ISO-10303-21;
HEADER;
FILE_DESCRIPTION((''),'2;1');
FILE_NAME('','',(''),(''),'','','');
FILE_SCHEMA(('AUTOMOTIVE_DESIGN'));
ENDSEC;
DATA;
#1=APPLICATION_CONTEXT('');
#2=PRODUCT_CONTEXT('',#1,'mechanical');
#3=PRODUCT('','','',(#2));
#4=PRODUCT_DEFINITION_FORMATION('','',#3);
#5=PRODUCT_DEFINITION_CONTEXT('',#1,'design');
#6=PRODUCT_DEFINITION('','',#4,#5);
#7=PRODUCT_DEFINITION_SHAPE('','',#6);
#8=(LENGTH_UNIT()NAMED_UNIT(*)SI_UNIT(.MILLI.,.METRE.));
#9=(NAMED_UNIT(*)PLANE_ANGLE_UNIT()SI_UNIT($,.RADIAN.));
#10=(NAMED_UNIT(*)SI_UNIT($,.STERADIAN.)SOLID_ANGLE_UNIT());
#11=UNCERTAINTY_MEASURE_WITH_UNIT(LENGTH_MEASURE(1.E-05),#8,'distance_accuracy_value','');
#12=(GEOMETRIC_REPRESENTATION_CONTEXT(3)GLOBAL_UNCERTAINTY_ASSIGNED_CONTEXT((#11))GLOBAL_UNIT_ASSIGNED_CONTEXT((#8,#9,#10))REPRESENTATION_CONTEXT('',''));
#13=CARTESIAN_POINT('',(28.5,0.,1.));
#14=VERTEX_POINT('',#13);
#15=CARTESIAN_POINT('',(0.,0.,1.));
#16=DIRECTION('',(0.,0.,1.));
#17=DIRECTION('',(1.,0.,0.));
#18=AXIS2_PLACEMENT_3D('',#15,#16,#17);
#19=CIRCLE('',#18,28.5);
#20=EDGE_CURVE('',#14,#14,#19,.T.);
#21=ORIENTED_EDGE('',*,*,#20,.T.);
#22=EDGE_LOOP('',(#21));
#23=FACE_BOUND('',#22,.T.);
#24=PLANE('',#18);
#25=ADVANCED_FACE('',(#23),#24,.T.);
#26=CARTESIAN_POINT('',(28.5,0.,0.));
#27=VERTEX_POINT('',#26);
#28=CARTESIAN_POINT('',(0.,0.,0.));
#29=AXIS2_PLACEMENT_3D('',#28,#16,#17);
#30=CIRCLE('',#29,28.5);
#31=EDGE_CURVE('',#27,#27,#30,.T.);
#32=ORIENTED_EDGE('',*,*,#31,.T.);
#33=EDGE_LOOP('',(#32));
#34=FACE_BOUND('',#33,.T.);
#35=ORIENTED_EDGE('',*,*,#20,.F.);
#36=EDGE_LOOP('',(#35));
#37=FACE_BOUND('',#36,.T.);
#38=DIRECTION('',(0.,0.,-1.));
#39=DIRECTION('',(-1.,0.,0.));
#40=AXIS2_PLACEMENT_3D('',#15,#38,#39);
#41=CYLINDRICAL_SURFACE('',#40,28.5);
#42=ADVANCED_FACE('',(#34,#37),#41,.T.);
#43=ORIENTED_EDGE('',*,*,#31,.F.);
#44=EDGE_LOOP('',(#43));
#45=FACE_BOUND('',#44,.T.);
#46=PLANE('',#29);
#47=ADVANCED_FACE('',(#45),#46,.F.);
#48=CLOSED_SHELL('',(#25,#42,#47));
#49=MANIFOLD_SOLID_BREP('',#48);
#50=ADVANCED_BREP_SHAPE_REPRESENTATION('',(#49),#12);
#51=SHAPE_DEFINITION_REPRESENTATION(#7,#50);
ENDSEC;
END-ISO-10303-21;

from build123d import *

# Parameters (mm, degrees)
ESBO_O1_R                = 28.5
RESSALTO_EXTRUS_O1_DEPTH = 1


with BuildPart() as part:
    # Esboço1 → Ressalto-extrusão1 (new body)
    with BuildSketch(Plane.XY):
        Circle(ESBO_O1_R)
    extrude(amount=RESSALTO_EXTRUS_O1_DEPTH)


solid = part.part
